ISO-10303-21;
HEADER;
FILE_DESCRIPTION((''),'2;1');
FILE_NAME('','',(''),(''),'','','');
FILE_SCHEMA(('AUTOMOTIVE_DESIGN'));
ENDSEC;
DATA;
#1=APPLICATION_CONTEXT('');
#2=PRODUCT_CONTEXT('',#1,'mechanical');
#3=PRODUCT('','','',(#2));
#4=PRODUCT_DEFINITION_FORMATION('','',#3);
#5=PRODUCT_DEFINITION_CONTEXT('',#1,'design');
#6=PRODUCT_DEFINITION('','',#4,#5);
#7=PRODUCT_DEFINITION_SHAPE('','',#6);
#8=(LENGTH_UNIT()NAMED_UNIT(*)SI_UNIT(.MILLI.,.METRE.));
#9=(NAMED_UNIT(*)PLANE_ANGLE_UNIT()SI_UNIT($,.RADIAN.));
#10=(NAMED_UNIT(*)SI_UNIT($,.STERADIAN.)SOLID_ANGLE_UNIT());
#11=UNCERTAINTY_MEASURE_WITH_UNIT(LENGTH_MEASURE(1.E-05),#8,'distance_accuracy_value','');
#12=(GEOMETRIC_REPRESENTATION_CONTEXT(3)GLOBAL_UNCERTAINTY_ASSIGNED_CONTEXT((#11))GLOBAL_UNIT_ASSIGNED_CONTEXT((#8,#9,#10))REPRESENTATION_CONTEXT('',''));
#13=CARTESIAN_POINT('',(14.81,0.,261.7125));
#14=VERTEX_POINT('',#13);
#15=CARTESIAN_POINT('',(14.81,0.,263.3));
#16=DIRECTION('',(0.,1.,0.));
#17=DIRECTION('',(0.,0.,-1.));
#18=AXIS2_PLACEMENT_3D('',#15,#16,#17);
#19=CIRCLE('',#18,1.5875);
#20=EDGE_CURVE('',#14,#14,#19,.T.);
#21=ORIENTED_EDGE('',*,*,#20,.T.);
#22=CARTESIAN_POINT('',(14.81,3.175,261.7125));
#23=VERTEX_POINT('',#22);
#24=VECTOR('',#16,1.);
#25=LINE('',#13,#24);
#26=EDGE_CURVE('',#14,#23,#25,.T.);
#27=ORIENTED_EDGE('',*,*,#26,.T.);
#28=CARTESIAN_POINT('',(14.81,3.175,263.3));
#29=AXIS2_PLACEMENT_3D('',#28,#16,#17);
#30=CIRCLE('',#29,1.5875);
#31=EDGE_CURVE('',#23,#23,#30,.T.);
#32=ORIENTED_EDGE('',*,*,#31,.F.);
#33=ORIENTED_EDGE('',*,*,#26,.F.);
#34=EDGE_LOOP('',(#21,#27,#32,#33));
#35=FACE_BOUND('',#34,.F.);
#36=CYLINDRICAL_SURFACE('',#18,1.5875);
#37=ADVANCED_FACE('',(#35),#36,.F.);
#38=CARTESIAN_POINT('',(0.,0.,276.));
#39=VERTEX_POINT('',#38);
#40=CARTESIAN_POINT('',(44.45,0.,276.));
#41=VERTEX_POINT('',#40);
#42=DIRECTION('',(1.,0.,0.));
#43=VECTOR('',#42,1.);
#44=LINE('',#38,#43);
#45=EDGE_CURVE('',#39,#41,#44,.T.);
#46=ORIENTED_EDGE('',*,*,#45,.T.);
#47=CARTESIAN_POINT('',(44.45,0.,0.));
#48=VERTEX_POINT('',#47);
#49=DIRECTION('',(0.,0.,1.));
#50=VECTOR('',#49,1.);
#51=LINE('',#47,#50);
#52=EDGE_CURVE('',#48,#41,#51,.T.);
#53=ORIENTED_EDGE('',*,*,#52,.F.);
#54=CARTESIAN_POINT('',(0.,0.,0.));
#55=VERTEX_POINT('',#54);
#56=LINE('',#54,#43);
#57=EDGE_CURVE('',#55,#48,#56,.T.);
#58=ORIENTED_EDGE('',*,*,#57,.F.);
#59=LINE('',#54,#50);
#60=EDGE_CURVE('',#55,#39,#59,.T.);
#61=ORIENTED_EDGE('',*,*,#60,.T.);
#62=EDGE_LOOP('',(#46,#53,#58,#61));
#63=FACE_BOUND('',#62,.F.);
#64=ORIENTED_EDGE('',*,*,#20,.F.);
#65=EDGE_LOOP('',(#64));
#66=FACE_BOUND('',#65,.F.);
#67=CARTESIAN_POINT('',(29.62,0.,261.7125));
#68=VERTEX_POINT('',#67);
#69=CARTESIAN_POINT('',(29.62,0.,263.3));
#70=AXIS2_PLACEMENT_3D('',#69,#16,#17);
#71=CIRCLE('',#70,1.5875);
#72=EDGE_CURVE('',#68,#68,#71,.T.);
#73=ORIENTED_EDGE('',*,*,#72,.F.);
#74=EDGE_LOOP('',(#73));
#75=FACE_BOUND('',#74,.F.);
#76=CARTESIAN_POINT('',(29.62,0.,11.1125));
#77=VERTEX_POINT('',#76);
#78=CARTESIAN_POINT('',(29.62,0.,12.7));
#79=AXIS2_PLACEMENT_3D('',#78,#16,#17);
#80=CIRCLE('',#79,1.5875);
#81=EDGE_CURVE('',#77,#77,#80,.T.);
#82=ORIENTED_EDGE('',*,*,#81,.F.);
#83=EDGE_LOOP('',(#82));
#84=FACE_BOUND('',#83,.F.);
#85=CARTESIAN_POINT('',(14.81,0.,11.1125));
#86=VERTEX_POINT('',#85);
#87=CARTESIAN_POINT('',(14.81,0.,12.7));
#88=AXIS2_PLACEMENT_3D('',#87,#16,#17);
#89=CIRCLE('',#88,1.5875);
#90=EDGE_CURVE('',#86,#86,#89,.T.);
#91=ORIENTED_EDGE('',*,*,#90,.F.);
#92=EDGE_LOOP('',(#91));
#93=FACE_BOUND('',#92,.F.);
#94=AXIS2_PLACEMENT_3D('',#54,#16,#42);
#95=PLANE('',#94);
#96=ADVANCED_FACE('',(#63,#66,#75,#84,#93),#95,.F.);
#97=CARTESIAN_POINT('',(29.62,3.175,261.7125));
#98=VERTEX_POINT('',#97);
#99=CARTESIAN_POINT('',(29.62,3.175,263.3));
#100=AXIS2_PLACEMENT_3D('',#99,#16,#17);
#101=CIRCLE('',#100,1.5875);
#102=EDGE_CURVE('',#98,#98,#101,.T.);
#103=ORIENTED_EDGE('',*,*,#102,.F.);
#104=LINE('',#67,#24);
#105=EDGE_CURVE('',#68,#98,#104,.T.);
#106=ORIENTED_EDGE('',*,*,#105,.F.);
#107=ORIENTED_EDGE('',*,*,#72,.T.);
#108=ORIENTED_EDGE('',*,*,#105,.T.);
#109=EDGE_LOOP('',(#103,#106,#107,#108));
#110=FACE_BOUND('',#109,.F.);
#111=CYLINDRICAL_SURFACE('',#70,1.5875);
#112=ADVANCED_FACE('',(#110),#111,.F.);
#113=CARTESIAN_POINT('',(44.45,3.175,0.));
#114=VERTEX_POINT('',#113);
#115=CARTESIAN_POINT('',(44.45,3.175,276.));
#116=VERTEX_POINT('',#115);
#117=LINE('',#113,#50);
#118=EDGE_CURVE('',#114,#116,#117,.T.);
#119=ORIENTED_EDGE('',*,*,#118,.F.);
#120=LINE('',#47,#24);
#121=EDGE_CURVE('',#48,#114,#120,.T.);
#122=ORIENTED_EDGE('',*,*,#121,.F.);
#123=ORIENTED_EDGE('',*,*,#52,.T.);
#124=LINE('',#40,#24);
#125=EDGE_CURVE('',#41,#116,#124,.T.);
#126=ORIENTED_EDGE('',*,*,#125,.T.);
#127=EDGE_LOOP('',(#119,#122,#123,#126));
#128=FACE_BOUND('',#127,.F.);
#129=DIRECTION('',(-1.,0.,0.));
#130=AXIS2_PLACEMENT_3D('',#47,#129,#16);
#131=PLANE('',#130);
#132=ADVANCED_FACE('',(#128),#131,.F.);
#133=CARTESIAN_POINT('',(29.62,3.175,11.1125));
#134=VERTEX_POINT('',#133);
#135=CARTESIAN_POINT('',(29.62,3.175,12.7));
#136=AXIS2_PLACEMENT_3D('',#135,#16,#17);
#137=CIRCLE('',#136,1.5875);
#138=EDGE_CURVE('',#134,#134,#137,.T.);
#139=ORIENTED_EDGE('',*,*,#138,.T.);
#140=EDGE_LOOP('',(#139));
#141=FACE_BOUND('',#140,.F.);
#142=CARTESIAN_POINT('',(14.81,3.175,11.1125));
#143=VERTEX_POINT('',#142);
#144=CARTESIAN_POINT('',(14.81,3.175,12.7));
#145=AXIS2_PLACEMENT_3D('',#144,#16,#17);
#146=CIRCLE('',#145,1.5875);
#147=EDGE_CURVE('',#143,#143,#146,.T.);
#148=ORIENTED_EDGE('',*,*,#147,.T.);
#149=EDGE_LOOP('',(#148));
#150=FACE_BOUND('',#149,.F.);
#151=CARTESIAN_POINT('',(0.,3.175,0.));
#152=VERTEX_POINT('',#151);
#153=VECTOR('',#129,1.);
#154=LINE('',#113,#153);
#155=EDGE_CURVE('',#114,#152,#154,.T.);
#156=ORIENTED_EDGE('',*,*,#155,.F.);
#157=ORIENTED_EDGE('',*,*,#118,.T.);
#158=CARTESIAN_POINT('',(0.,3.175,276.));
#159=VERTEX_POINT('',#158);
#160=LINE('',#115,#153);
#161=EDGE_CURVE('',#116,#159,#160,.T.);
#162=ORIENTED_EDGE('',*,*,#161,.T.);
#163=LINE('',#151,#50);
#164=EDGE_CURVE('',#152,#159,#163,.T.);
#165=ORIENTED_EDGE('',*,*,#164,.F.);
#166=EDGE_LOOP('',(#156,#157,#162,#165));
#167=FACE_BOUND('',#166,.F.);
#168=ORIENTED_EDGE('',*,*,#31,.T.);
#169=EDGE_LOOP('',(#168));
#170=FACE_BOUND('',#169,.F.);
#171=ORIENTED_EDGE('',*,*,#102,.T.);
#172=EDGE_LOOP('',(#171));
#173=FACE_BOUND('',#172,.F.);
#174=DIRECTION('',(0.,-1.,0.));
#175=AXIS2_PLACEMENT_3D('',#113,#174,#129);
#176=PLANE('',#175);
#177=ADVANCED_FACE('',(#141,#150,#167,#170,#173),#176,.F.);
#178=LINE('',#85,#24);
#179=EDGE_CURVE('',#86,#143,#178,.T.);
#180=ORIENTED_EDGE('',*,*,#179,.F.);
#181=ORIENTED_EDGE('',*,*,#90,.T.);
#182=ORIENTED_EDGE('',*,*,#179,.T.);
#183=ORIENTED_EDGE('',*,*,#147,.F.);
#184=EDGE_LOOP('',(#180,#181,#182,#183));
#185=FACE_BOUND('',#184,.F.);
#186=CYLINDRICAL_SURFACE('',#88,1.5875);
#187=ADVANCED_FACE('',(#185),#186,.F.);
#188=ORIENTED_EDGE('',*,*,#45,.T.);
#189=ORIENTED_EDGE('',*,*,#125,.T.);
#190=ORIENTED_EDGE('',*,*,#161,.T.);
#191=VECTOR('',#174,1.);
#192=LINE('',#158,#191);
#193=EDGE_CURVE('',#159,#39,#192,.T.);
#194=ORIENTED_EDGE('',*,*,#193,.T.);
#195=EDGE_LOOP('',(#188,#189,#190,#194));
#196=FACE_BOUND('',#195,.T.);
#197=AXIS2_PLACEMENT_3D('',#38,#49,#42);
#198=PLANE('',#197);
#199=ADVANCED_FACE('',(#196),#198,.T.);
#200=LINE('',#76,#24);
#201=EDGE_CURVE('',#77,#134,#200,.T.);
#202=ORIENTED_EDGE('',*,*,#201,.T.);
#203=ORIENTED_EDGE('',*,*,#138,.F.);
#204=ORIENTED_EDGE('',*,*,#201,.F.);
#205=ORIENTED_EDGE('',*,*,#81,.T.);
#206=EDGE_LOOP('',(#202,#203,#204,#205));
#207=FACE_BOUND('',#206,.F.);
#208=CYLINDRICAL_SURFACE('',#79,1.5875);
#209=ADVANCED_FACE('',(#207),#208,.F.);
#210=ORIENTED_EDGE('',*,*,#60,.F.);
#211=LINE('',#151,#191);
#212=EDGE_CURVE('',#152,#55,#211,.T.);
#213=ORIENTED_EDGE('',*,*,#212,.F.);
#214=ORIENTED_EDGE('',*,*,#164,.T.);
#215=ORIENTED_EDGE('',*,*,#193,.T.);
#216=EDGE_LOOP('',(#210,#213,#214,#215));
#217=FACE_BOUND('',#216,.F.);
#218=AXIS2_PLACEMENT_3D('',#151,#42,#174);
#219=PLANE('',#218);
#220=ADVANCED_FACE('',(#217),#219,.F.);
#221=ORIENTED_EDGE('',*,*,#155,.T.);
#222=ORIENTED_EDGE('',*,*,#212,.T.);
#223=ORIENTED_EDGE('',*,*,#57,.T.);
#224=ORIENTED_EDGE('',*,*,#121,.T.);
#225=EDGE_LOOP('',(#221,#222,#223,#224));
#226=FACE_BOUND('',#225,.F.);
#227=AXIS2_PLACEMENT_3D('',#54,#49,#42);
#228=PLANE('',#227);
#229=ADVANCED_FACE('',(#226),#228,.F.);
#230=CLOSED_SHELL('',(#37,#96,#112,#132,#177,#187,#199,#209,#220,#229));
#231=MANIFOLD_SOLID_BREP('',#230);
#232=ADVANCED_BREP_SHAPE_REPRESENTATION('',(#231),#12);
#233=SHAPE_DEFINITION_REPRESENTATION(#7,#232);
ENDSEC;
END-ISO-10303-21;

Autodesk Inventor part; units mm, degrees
ref_plane "YZ Plane" through (0, 0, 0) normal (1, 0, 0) x (0, 1, 0)
ref_plane "XZ Plane" through (0, 0, 0) normal (0, 1, 0) x (-1, 0, 0)
ref_plane "XY Plane" through (0, 0, 0) normal (0, 0, 1) x (1, 0, 0)
sketch "Sketch1" plane through (0, 0, 0) normal (0, 0, 1) x (1, 0, 0)
  line L0 (0, 0) -> (44.45, 0)
  line L1 (44.45, 0) -> (44.45, 3.175)
  line L2 (44.45, 3.175) -> (0, 3.175)
  line L3 (0, 3.175) -> (0, 0)
  dimension "d0" = 44.45
  dimension "d1" = 3.175
extrude "Extrusion1" add sketch "Sketch1" along normal blind 276
sketch "Sketch2" plane through (0, 0, 0) normal (0, -1, 0) x (1, 0, 0)
  line L0 (0, 0) -> (44.45, 0) projected
  line L1 (44.45, 0) -> (44.45, 276) projected
  line L2 (0, 276) -> (44.45, 276) projected
  line L3 (0, 0) -> (0, 276) projected
  point P0 (14.81, 263.3)
  point P1 (29.62, 263.3)
  point P2 (14.81, 12.7)
  point P3 (29.62, 12.7)
  dimension "d4" = 12.7
  dimension "d5" = 12.7
  dimension "d6" = 14.81
  dimension "d7" = 14.81
hole "Hole1" at (14.81, 0, 263.3) at (29.62, 0, 263.3) at (14.81, 0, 12.7) at (29.62, 0, 12.7) direction (0, 1, 0) diameter 3.175 depth 8 tip angle 118
properties part number "platen_286mm"
